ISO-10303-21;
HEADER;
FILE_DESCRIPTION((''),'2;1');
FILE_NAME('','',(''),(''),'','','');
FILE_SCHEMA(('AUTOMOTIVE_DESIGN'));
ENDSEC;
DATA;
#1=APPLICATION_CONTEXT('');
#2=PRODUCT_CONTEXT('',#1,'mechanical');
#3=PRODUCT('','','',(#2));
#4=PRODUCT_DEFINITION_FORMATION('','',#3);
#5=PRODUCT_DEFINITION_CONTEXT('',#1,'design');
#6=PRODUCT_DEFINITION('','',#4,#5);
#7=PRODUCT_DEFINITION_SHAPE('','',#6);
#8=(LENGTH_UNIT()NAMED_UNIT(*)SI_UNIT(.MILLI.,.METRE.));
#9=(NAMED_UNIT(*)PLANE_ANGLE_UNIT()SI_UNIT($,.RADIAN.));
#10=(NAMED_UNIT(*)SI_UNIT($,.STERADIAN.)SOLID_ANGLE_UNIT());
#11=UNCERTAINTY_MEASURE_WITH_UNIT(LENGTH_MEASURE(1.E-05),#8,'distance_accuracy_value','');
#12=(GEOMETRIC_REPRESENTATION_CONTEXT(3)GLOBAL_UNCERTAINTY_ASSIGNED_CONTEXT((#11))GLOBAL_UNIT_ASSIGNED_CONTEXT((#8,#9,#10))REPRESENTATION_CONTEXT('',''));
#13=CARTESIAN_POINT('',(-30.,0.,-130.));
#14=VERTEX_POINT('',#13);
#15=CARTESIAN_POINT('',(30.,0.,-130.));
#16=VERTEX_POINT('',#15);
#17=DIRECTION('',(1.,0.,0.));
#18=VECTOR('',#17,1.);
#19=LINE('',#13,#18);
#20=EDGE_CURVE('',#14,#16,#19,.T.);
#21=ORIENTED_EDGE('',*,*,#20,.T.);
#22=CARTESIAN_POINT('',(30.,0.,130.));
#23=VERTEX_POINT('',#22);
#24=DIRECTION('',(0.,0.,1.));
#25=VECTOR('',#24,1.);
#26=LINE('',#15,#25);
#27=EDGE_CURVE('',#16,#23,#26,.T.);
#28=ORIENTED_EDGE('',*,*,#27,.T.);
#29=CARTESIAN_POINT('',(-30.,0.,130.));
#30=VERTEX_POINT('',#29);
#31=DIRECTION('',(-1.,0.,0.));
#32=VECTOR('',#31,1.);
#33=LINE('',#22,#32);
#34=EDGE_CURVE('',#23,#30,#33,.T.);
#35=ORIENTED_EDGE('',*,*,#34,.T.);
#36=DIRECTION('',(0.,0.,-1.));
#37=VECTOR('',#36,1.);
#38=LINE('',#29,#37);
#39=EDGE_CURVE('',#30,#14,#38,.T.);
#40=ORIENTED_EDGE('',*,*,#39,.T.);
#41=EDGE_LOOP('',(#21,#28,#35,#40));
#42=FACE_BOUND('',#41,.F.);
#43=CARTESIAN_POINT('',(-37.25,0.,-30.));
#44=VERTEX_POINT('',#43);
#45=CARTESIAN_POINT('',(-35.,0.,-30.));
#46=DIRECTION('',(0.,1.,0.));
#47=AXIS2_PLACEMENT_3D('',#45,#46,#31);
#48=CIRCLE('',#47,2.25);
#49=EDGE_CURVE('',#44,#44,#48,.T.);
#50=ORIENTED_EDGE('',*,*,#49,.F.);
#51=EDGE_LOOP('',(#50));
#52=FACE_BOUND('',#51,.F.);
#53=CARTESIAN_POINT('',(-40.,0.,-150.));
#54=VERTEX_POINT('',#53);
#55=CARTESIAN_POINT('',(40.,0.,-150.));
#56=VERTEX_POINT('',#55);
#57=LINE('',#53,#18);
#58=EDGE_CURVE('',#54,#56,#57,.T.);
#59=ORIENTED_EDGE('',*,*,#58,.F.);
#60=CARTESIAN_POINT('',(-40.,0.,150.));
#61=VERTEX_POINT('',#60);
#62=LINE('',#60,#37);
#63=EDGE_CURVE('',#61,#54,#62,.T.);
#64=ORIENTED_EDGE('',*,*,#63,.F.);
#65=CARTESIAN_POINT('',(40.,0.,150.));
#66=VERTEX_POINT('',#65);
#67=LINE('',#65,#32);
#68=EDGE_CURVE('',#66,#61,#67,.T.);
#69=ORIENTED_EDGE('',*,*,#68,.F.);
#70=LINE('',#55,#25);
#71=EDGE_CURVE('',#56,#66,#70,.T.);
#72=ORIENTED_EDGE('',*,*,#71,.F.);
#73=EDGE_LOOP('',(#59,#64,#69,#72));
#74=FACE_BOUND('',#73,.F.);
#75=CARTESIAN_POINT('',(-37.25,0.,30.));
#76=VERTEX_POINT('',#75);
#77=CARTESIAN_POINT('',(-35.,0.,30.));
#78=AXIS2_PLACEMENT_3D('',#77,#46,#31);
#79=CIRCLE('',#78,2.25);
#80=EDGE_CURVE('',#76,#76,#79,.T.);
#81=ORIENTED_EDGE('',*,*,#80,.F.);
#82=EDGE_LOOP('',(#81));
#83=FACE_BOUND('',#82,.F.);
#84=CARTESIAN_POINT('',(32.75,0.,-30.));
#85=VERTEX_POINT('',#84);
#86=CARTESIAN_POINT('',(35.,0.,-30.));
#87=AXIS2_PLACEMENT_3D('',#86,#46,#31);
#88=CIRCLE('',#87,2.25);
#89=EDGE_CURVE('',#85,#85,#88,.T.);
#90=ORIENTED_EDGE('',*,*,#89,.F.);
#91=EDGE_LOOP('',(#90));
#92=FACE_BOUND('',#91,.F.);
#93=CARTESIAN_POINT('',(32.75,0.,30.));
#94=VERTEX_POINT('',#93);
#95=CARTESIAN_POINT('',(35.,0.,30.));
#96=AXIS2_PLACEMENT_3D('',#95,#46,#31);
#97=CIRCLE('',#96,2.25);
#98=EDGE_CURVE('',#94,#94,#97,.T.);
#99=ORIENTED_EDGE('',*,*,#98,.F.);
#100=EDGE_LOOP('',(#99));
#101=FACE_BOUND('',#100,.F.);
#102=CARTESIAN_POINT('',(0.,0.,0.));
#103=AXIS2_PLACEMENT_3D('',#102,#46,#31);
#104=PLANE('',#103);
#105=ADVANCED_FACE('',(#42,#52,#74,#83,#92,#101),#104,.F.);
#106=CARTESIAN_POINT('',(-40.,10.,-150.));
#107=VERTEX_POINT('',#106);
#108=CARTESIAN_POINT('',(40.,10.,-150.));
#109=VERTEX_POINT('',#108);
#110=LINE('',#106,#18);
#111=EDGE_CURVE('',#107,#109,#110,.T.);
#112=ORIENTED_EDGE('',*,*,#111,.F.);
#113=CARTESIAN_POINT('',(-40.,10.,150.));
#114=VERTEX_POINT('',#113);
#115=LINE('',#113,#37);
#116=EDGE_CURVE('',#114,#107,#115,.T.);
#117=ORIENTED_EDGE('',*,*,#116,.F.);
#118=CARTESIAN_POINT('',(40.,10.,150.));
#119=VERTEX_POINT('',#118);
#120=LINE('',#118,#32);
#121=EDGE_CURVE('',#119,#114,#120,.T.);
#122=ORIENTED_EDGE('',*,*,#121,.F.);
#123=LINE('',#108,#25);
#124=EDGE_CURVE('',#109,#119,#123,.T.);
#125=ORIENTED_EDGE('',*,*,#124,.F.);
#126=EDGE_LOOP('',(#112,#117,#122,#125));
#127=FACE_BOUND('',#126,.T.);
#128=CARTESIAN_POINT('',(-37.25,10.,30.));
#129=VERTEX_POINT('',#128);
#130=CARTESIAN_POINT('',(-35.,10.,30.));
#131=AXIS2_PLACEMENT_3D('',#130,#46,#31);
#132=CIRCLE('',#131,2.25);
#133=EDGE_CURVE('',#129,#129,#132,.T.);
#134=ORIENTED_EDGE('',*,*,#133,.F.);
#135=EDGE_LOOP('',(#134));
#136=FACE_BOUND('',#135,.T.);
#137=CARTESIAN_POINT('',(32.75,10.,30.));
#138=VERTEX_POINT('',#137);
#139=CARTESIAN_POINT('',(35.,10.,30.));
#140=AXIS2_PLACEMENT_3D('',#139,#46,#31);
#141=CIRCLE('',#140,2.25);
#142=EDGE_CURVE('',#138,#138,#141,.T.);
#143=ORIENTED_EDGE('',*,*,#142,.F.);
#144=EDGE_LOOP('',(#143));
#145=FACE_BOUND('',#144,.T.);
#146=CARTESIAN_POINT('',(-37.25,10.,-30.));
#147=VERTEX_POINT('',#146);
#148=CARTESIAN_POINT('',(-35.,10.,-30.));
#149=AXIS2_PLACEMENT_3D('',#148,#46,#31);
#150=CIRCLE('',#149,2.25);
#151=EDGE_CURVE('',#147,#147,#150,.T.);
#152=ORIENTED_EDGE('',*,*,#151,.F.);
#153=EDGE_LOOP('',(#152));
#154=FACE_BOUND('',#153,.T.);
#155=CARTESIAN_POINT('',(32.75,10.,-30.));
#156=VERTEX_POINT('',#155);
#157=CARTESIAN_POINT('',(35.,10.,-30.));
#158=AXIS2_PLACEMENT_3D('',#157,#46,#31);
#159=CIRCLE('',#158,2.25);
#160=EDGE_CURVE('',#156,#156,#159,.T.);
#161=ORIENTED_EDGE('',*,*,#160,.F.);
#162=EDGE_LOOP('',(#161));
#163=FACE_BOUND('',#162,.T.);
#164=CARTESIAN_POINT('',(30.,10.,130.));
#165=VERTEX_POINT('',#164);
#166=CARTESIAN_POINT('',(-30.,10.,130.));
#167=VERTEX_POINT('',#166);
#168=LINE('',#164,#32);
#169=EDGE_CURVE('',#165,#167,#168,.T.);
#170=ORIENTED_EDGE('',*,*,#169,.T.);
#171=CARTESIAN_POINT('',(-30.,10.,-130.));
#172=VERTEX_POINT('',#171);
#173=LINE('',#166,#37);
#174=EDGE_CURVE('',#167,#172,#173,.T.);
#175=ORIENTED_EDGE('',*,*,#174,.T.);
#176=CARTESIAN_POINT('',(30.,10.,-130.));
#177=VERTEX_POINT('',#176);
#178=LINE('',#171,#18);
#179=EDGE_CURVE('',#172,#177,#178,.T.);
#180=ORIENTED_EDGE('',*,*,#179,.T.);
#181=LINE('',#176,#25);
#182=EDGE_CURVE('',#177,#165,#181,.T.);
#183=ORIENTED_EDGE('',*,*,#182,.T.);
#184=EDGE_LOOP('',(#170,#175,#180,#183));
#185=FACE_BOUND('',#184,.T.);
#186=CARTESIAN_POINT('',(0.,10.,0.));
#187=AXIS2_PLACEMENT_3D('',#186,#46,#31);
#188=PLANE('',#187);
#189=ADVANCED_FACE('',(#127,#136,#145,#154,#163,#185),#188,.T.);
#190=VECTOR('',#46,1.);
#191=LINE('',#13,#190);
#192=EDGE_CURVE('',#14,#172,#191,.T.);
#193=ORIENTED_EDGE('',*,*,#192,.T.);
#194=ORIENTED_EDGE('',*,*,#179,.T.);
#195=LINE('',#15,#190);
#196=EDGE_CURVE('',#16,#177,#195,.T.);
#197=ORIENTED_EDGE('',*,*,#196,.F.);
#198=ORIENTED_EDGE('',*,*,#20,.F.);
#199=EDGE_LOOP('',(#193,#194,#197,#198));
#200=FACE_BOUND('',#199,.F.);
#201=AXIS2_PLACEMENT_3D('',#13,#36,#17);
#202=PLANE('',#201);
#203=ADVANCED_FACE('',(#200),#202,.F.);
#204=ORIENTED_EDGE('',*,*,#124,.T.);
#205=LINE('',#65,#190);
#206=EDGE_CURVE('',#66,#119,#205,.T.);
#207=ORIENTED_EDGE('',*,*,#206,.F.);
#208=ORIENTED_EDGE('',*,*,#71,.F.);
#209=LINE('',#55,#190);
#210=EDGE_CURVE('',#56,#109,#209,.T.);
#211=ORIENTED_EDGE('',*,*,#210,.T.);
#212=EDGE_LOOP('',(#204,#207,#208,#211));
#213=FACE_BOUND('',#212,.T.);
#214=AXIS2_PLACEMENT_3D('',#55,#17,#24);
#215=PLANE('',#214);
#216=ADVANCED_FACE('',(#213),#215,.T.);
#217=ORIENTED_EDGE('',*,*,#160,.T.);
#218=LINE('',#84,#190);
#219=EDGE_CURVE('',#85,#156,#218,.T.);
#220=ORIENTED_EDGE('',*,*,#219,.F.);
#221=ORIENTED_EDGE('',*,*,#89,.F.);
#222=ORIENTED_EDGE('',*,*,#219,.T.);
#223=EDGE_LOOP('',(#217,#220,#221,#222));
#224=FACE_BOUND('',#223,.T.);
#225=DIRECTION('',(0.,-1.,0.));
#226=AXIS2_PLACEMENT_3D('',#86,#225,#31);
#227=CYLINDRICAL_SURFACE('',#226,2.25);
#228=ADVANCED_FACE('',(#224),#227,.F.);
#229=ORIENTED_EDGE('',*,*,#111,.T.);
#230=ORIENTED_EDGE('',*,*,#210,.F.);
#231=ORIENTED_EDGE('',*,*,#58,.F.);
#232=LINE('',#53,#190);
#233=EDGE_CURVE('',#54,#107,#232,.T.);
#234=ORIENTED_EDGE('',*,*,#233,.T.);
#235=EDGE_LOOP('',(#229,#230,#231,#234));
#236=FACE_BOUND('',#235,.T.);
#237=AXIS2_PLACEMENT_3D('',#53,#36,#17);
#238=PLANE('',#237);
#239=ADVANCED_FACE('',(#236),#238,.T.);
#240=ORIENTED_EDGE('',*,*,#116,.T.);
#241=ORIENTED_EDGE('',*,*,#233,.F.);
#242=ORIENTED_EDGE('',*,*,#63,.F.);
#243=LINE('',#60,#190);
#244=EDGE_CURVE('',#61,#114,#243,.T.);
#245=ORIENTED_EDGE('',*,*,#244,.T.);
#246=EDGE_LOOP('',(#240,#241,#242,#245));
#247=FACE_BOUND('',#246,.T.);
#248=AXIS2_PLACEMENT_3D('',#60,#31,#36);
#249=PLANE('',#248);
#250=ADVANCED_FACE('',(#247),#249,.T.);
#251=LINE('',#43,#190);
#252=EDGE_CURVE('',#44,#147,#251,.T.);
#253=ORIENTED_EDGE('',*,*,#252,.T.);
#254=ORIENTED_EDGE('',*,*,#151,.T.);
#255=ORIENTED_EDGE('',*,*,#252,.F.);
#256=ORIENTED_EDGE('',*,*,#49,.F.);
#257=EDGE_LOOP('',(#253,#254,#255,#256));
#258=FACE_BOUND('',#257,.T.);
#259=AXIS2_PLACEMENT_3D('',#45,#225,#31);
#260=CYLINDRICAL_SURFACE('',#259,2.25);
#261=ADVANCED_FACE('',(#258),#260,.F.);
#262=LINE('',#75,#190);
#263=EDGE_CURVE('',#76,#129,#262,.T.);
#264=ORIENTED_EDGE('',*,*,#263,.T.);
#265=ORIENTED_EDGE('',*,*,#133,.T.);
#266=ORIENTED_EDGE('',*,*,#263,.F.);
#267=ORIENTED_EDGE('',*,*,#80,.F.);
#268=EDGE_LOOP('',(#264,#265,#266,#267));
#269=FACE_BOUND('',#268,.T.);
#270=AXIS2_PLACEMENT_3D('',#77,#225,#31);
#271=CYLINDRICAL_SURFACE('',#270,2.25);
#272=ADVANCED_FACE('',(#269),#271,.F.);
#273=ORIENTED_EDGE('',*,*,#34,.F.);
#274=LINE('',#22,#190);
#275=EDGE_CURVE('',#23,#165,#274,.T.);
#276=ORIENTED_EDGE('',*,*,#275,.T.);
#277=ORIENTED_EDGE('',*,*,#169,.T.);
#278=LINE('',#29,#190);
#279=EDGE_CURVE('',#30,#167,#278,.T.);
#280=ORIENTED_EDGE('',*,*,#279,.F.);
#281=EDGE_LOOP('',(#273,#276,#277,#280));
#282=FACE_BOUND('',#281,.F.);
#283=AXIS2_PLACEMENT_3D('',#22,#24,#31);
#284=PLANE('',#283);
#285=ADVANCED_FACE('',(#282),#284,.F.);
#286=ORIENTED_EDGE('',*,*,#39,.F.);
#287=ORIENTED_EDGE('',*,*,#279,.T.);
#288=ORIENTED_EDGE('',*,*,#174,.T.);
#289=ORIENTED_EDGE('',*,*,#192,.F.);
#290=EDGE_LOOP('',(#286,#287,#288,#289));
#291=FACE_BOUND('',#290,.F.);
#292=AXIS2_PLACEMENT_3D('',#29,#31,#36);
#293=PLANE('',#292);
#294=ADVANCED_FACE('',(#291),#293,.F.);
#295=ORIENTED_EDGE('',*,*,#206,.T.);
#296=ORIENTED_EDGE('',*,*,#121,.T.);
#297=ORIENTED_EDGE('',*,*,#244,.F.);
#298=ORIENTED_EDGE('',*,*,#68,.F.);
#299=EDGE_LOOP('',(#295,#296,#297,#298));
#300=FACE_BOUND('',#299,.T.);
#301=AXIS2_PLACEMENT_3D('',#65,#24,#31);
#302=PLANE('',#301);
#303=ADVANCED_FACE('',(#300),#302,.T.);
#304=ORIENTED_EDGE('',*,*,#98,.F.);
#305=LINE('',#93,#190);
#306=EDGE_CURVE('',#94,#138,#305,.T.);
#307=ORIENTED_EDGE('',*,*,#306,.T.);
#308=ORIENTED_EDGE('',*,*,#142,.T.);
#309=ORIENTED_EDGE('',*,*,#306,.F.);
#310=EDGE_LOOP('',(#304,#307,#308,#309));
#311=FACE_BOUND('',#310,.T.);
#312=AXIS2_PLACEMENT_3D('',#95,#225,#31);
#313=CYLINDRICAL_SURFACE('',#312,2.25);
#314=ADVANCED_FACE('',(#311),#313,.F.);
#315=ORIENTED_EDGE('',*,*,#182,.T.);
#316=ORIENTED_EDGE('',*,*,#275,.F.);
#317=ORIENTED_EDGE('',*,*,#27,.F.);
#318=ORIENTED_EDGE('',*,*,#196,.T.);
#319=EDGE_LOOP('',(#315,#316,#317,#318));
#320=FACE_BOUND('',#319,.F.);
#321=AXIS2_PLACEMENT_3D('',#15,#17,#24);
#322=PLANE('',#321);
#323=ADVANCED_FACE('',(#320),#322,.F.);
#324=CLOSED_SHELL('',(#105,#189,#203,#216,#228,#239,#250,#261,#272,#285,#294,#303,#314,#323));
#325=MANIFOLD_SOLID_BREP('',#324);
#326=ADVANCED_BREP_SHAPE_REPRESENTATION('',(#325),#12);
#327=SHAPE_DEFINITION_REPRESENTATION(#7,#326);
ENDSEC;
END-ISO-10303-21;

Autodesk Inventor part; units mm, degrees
ref_plane "YZ Plane" through (0, 0, 0) normal (1, 0, 0) x (0, 1, 0)
ref_plane "XZ Plane" through (0, 0, 0) normal (0, 1, 0) x (-1, 0, 0)
ref_plane "XY Plane" through (0, 0, 0) normal (0, 0, 1) x (1, 0, 0)
sketch "스케치1" plane through (0, 0, 0) normal (0, 1, 0) x (-1, 0, 0)
  line L0 (-40, 150) -> (40, 150)
  line L1 (40, 150) -> (40, -150)
  line L2 (40, -150) -> (-40, -150)
  line L3 (-40, -150) -> (-40, 150)
  line L4 (-40, 150) -> (40, -150) construction
  line L5 (40, 150) -> (-40, -150) construction
  line L6 (-30, 130) -> (30, 130)
  line L7 (30, 130) -> (30, -130)
  line L8 (30, -130) -> (-30, -130)
  line L9 (-30, -130) -> (-30, 130)
  line L10 (-30, 130) -> (30, -130) construction
  line L11 (30, 130) -> (-30, -130) construction
  circle A0 centre (35, 30) radius 2.25
  circle A1 centre (35, -30) radius 2.25
  circle A2 centre (-35, -30) radius 2.25
  circle A3 centre (-35, 30) radius 2.25
  point P0 (0, 0)
  dimension "d0" = 80
  dimension "d1" = 300
  dimension "d2" = 60
  dimension "d3" = 260
  dimension "d4" = 0
  dimension "d5" = 0
  dimension "d6" = 0
  dimension "d7" = 0
  dimension "d8" = 70
  dimension "d9" = 35
  dimension "d10" = 60
  dimension "d11" = 30
  dimension "d12" = 4.5
  dimension "d13" = 4.5
  dimension "d14" = 4.5
  dimension "d15" = 4.5
extrude "돌출1" add sketch "스케치1" along normal blind 10
equation "\"d9\" = 0.5 * d8"
equation "\"d11\" = 0.5 * d10"
properties part number "발판보강지지대2"
